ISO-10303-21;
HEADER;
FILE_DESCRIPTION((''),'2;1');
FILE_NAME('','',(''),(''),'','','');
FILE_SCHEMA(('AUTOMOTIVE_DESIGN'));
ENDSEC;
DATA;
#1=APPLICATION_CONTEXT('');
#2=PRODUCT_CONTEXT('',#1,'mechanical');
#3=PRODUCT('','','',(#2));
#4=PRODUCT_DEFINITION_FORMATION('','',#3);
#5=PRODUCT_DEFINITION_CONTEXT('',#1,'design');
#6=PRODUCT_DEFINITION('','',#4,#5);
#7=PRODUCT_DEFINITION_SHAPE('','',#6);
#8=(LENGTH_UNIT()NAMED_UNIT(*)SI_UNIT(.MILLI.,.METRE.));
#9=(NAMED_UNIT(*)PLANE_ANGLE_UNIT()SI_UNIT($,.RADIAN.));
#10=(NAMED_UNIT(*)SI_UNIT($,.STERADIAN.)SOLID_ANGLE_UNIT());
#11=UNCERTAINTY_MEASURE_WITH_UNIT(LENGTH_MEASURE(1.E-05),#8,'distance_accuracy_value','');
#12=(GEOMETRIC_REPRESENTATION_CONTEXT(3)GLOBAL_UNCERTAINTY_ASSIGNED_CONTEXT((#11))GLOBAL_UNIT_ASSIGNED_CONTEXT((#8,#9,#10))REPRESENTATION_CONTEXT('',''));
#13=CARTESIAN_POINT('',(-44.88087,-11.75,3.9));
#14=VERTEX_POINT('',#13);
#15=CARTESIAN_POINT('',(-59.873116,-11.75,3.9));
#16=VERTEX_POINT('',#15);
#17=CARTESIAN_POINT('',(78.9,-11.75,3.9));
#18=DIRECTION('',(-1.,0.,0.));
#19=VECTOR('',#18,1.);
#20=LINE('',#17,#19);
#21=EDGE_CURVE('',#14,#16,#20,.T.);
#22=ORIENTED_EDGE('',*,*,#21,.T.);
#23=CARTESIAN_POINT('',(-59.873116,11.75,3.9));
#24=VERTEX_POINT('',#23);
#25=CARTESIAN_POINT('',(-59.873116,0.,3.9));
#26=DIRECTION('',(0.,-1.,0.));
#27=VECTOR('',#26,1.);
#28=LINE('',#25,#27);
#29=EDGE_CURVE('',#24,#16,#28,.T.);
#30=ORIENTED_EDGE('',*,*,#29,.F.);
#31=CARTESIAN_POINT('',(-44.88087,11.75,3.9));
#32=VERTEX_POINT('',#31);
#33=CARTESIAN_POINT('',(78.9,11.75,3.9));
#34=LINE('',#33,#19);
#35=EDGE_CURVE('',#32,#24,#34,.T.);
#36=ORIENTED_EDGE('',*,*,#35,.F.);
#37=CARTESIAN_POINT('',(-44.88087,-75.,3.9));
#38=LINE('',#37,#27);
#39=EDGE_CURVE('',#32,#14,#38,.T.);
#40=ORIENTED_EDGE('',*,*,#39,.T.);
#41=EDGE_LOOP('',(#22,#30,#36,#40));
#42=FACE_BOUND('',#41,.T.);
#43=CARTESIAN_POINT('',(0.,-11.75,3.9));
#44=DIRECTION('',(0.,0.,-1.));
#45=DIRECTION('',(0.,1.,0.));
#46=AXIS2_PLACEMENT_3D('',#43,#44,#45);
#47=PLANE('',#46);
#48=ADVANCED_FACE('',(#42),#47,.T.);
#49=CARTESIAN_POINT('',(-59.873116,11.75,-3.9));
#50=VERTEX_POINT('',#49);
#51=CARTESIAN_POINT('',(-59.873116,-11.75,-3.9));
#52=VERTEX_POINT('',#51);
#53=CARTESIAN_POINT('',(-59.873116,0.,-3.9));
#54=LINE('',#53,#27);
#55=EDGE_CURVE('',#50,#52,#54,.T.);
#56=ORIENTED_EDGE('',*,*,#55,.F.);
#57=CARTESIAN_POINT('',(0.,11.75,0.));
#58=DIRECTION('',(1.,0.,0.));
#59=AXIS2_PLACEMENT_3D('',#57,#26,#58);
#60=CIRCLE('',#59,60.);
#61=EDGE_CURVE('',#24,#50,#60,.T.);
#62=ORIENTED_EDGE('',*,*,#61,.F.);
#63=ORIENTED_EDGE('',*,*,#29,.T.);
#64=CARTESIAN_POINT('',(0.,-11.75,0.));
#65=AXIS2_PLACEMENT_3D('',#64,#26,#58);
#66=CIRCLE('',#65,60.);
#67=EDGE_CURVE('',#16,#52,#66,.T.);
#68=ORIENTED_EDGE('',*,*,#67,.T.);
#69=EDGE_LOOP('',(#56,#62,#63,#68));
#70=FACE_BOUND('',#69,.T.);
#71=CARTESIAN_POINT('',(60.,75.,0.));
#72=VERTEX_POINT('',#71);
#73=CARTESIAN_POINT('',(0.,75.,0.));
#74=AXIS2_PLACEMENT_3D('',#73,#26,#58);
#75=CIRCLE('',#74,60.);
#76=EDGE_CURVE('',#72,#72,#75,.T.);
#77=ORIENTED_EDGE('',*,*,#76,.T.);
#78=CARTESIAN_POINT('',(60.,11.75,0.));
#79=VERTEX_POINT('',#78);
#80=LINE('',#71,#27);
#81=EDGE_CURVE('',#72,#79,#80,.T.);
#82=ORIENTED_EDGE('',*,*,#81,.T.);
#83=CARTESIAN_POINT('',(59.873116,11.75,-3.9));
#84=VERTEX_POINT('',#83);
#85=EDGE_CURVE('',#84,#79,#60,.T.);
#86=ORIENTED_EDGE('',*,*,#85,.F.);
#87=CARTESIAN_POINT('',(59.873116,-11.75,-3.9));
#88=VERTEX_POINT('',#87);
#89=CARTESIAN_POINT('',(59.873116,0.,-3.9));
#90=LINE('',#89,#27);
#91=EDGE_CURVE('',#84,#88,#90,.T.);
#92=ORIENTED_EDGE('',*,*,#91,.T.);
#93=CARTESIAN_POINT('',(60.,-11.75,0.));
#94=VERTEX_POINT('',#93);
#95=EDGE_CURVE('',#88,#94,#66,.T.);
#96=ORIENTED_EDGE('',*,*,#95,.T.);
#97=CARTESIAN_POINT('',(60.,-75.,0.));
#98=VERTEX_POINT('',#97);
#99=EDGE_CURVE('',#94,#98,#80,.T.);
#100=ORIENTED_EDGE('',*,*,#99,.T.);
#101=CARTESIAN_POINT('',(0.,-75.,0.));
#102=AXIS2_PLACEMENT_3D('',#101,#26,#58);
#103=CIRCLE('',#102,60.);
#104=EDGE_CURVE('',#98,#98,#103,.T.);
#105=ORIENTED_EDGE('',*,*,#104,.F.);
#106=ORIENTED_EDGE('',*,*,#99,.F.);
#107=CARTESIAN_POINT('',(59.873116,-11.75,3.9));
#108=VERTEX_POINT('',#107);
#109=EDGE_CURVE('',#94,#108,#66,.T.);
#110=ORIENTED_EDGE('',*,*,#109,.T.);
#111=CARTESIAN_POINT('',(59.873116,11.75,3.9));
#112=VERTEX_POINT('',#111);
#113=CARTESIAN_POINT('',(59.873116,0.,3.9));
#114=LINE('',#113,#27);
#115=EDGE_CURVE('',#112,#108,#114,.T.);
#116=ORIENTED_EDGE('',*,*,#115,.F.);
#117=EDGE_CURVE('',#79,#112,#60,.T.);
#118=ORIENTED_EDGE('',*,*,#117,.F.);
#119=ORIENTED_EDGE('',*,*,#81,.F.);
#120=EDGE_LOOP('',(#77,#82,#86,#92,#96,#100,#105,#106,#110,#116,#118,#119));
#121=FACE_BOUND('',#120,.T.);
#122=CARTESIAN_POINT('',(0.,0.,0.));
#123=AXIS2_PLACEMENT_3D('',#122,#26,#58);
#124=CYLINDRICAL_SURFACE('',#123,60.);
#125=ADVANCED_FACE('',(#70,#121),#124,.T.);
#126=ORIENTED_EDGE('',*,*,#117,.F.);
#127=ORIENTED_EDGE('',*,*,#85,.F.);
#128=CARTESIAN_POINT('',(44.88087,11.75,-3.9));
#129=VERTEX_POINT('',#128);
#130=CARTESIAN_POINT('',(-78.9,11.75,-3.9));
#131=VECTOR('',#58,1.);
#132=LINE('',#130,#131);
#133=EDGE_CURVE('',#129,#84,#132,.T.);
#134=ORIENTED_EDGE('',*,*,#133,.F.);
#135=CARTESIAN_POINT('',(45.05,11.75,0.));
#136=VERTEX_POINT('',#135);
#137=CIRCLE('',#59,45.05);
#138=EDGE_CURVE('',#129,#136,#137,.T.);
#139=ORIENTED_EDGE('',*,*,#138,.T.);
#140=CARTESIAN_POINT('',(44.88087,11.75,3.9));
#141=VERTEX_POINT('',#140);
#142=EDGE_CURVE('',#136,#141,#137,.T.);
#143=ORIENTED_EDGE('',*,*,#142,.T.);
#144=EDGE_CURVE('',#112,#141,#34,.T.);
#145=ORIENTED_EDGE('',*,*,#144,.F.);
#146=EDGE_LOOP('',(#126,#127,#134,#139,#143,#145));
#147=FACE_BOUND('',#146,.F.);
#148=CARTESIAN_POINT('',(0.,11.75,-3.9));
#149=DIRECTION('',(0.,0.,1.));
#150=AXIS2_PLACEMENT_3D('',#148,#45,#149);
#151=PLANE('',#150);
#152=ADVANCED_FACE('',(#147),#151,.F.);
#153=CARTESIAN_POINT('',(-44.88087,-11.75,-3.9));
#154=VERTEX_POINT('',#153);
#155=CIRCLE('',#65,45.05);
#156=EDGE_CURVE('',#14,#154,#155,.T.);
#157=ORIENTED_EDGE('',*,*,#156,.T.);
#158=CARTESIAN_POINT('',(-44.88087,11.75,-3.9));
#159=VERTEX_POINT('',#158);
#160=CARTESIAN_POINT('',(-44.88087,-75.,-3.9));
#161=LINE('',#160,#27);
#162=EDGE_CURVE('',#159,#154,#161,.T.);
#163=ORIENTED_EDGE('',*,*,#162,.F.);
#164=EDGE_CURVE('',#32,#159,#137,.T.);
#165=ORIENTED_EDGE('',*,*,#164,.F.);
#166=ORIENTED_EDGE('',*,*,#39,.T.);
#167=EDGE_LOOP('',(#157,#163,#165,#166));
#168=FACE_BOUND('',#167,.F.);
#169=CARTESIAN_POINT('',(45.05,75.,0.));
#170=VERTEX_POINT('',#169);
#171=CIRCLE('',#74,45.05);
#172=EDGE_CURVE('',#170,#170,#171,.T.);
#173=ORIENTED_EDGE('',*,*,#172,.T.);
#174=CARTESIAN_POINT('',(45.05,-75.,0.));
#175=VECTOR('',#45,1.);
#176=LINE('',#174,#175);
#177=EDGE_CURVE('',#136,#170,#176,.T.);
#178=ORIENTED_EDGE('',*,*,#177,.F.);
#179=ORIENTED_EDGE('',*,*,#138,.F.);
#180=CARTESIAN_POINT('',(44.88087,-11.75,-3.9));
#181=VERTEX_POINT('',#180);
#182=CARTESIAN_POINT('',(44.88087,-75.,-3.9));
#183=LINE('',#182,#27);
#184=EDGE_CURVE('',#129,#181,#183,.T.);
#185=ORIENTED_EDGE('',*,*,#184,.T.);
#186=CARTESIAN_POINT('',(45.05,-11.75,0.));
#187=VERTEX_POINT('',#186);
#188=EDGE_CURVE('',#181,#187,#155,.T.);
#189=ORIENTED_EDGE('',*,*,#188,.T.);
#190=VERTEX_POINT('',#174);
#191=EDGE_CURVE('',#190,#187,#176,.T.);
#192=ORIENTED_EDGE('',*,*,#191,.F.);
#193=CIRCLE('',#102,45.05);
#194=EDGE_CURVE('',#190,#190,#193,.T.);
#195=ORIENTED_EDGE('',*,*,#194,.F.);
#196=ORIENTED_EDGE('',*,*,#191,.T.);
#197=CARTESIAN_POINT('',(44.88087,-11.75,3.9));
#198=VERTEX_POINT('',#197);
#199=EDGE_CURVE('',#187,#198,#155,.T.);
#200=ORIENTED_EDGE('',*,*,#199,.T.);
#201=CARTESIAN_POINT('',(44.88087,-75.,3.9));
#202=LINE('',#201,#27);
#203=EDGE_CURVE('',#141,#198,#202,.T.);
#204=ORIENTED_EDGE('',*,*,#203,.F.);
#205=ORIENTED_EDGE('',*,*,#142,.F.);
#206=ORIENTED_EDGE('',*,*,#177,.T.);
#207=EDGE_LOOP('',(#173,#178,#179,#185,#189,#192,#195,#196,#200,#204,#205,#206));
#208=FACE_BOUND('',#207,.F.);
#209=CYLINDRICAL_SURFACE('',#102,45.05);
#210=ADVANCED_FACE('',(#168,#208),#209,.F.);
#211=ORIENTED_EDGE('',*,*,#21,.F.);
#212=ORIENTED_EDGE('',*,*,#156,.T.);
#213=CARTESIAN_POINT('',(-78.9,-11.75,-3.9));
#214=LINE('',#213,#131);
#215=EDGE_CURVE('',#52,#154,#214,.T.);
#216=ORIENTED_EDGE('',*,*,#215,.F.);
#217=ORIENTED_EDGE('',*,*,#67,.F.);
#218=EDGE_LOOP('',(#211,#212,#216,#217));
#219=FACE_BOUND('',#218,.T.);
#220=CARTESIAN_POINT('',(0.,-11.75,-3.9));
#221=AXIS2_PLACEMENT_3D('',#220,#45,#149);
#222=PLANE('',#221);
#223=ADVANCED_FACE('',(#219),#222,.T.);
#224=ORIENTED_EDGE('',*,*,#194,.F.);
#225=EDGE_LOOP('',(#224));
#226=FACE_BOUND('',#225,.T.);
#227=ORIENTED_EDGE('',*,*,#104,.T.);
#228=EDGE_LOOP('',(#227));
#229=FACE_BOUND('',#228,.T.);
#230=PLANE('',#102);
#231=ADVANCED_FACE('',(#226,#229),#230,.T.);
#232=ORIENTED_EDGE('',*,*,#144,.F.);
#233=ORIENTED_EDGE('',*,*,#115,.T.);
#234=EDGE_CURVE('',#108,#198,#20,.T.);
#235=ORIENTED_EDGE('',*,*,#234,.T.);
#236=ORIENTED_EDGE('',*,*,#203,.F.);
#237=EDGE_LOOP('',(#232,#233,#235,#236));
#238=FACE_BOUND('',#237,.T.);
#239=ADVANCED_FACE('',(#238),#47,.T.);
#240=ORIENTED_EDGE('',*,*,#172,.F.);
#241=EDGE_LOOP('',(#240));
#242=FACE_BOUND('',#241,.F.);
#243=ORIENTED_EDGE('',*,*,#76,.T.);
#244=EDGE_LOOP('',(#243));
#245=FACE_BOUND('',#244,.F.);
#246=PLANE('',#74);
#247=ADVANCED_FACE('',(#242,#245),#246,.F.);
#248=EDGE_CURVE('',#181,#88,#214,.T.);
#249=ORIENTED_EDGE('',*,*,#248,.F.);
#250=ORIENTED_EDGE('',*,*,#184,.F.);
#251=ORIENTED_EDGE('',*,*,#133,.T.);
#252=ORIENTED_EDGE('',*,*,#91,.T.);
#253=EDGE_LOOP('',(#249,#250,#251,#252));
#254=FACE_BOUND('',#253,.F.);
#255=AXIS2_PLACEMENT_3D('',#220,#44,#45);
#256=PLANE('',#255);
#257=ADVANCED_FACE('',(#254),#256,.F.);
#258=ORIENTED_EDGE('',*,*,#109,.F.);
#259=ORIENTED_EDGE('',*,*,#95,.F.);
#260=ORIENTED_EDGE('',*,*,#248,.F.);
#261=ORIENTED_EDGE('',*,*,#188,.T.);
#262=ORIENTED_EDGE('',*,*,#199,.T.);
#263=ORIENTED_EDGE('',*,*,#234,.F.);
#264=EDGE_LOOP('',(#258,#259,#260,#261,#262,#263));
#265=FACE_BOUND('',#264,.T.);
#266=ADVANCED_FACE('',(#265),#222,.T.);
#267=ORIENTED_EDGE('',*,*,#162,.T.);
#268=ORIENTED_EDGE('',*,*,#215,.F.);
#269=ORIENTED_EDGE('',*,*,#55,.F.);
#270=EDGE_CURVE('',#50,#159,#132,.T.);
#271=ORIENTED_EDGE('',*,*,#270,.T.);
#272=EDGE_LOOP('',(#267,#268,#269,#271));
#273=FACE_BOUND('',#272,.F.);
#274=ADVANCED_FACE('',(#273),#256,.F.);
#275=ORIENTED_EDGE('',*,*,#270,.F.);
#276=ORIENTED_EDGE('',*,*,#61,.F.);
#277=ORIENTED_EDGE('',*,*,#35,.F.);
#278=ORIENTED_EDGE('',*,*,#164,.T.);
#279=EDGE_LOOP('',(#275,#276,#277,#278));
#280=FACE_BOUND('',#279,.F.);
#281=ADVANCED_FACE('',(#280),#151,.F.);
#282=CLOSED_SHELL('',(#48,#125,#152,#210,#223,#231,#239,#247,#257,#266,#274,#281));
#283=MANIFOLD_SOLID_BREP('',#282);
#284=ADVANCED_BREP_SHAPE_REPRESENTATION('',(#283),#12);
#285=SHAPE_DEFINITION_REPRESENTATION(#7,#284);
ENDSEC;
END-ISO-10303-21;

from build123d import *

# Parameters (mm, degrees)
F0_R     = 60
F1_DEPTH = 75
F2_R     = 45.05
F3_DEPTH = 300
F4_W     = 23.5
F4_H     = 7.8
F5_DEPTH = 78.9


with BuildPart() as f1:
    # F0 (on Front) → F1 (new body, symmetric)
    with BuildSketch(Plane.XZ):
        Circle(F0_R)
    extrude(amount=F1_DEPTH, both=True)

    # F2 (on face) → F3 (cut)
    with BuildSketch(Plane.XZ.offset(75)):
        Circle(F2_R)
    extrude(amount=-F3_DEPTH, mode=Mode.SUBTRACT)

    # F4 (on Right) → F5 (cut, symmetric)
    with BuildSketch(Plane.YZ):
        Rectangle(F4_W, F4_H)
    extrude(amount=F5_DEPTH, both=True, mode=Mode.SUBTRACT)


solid = f1.part
